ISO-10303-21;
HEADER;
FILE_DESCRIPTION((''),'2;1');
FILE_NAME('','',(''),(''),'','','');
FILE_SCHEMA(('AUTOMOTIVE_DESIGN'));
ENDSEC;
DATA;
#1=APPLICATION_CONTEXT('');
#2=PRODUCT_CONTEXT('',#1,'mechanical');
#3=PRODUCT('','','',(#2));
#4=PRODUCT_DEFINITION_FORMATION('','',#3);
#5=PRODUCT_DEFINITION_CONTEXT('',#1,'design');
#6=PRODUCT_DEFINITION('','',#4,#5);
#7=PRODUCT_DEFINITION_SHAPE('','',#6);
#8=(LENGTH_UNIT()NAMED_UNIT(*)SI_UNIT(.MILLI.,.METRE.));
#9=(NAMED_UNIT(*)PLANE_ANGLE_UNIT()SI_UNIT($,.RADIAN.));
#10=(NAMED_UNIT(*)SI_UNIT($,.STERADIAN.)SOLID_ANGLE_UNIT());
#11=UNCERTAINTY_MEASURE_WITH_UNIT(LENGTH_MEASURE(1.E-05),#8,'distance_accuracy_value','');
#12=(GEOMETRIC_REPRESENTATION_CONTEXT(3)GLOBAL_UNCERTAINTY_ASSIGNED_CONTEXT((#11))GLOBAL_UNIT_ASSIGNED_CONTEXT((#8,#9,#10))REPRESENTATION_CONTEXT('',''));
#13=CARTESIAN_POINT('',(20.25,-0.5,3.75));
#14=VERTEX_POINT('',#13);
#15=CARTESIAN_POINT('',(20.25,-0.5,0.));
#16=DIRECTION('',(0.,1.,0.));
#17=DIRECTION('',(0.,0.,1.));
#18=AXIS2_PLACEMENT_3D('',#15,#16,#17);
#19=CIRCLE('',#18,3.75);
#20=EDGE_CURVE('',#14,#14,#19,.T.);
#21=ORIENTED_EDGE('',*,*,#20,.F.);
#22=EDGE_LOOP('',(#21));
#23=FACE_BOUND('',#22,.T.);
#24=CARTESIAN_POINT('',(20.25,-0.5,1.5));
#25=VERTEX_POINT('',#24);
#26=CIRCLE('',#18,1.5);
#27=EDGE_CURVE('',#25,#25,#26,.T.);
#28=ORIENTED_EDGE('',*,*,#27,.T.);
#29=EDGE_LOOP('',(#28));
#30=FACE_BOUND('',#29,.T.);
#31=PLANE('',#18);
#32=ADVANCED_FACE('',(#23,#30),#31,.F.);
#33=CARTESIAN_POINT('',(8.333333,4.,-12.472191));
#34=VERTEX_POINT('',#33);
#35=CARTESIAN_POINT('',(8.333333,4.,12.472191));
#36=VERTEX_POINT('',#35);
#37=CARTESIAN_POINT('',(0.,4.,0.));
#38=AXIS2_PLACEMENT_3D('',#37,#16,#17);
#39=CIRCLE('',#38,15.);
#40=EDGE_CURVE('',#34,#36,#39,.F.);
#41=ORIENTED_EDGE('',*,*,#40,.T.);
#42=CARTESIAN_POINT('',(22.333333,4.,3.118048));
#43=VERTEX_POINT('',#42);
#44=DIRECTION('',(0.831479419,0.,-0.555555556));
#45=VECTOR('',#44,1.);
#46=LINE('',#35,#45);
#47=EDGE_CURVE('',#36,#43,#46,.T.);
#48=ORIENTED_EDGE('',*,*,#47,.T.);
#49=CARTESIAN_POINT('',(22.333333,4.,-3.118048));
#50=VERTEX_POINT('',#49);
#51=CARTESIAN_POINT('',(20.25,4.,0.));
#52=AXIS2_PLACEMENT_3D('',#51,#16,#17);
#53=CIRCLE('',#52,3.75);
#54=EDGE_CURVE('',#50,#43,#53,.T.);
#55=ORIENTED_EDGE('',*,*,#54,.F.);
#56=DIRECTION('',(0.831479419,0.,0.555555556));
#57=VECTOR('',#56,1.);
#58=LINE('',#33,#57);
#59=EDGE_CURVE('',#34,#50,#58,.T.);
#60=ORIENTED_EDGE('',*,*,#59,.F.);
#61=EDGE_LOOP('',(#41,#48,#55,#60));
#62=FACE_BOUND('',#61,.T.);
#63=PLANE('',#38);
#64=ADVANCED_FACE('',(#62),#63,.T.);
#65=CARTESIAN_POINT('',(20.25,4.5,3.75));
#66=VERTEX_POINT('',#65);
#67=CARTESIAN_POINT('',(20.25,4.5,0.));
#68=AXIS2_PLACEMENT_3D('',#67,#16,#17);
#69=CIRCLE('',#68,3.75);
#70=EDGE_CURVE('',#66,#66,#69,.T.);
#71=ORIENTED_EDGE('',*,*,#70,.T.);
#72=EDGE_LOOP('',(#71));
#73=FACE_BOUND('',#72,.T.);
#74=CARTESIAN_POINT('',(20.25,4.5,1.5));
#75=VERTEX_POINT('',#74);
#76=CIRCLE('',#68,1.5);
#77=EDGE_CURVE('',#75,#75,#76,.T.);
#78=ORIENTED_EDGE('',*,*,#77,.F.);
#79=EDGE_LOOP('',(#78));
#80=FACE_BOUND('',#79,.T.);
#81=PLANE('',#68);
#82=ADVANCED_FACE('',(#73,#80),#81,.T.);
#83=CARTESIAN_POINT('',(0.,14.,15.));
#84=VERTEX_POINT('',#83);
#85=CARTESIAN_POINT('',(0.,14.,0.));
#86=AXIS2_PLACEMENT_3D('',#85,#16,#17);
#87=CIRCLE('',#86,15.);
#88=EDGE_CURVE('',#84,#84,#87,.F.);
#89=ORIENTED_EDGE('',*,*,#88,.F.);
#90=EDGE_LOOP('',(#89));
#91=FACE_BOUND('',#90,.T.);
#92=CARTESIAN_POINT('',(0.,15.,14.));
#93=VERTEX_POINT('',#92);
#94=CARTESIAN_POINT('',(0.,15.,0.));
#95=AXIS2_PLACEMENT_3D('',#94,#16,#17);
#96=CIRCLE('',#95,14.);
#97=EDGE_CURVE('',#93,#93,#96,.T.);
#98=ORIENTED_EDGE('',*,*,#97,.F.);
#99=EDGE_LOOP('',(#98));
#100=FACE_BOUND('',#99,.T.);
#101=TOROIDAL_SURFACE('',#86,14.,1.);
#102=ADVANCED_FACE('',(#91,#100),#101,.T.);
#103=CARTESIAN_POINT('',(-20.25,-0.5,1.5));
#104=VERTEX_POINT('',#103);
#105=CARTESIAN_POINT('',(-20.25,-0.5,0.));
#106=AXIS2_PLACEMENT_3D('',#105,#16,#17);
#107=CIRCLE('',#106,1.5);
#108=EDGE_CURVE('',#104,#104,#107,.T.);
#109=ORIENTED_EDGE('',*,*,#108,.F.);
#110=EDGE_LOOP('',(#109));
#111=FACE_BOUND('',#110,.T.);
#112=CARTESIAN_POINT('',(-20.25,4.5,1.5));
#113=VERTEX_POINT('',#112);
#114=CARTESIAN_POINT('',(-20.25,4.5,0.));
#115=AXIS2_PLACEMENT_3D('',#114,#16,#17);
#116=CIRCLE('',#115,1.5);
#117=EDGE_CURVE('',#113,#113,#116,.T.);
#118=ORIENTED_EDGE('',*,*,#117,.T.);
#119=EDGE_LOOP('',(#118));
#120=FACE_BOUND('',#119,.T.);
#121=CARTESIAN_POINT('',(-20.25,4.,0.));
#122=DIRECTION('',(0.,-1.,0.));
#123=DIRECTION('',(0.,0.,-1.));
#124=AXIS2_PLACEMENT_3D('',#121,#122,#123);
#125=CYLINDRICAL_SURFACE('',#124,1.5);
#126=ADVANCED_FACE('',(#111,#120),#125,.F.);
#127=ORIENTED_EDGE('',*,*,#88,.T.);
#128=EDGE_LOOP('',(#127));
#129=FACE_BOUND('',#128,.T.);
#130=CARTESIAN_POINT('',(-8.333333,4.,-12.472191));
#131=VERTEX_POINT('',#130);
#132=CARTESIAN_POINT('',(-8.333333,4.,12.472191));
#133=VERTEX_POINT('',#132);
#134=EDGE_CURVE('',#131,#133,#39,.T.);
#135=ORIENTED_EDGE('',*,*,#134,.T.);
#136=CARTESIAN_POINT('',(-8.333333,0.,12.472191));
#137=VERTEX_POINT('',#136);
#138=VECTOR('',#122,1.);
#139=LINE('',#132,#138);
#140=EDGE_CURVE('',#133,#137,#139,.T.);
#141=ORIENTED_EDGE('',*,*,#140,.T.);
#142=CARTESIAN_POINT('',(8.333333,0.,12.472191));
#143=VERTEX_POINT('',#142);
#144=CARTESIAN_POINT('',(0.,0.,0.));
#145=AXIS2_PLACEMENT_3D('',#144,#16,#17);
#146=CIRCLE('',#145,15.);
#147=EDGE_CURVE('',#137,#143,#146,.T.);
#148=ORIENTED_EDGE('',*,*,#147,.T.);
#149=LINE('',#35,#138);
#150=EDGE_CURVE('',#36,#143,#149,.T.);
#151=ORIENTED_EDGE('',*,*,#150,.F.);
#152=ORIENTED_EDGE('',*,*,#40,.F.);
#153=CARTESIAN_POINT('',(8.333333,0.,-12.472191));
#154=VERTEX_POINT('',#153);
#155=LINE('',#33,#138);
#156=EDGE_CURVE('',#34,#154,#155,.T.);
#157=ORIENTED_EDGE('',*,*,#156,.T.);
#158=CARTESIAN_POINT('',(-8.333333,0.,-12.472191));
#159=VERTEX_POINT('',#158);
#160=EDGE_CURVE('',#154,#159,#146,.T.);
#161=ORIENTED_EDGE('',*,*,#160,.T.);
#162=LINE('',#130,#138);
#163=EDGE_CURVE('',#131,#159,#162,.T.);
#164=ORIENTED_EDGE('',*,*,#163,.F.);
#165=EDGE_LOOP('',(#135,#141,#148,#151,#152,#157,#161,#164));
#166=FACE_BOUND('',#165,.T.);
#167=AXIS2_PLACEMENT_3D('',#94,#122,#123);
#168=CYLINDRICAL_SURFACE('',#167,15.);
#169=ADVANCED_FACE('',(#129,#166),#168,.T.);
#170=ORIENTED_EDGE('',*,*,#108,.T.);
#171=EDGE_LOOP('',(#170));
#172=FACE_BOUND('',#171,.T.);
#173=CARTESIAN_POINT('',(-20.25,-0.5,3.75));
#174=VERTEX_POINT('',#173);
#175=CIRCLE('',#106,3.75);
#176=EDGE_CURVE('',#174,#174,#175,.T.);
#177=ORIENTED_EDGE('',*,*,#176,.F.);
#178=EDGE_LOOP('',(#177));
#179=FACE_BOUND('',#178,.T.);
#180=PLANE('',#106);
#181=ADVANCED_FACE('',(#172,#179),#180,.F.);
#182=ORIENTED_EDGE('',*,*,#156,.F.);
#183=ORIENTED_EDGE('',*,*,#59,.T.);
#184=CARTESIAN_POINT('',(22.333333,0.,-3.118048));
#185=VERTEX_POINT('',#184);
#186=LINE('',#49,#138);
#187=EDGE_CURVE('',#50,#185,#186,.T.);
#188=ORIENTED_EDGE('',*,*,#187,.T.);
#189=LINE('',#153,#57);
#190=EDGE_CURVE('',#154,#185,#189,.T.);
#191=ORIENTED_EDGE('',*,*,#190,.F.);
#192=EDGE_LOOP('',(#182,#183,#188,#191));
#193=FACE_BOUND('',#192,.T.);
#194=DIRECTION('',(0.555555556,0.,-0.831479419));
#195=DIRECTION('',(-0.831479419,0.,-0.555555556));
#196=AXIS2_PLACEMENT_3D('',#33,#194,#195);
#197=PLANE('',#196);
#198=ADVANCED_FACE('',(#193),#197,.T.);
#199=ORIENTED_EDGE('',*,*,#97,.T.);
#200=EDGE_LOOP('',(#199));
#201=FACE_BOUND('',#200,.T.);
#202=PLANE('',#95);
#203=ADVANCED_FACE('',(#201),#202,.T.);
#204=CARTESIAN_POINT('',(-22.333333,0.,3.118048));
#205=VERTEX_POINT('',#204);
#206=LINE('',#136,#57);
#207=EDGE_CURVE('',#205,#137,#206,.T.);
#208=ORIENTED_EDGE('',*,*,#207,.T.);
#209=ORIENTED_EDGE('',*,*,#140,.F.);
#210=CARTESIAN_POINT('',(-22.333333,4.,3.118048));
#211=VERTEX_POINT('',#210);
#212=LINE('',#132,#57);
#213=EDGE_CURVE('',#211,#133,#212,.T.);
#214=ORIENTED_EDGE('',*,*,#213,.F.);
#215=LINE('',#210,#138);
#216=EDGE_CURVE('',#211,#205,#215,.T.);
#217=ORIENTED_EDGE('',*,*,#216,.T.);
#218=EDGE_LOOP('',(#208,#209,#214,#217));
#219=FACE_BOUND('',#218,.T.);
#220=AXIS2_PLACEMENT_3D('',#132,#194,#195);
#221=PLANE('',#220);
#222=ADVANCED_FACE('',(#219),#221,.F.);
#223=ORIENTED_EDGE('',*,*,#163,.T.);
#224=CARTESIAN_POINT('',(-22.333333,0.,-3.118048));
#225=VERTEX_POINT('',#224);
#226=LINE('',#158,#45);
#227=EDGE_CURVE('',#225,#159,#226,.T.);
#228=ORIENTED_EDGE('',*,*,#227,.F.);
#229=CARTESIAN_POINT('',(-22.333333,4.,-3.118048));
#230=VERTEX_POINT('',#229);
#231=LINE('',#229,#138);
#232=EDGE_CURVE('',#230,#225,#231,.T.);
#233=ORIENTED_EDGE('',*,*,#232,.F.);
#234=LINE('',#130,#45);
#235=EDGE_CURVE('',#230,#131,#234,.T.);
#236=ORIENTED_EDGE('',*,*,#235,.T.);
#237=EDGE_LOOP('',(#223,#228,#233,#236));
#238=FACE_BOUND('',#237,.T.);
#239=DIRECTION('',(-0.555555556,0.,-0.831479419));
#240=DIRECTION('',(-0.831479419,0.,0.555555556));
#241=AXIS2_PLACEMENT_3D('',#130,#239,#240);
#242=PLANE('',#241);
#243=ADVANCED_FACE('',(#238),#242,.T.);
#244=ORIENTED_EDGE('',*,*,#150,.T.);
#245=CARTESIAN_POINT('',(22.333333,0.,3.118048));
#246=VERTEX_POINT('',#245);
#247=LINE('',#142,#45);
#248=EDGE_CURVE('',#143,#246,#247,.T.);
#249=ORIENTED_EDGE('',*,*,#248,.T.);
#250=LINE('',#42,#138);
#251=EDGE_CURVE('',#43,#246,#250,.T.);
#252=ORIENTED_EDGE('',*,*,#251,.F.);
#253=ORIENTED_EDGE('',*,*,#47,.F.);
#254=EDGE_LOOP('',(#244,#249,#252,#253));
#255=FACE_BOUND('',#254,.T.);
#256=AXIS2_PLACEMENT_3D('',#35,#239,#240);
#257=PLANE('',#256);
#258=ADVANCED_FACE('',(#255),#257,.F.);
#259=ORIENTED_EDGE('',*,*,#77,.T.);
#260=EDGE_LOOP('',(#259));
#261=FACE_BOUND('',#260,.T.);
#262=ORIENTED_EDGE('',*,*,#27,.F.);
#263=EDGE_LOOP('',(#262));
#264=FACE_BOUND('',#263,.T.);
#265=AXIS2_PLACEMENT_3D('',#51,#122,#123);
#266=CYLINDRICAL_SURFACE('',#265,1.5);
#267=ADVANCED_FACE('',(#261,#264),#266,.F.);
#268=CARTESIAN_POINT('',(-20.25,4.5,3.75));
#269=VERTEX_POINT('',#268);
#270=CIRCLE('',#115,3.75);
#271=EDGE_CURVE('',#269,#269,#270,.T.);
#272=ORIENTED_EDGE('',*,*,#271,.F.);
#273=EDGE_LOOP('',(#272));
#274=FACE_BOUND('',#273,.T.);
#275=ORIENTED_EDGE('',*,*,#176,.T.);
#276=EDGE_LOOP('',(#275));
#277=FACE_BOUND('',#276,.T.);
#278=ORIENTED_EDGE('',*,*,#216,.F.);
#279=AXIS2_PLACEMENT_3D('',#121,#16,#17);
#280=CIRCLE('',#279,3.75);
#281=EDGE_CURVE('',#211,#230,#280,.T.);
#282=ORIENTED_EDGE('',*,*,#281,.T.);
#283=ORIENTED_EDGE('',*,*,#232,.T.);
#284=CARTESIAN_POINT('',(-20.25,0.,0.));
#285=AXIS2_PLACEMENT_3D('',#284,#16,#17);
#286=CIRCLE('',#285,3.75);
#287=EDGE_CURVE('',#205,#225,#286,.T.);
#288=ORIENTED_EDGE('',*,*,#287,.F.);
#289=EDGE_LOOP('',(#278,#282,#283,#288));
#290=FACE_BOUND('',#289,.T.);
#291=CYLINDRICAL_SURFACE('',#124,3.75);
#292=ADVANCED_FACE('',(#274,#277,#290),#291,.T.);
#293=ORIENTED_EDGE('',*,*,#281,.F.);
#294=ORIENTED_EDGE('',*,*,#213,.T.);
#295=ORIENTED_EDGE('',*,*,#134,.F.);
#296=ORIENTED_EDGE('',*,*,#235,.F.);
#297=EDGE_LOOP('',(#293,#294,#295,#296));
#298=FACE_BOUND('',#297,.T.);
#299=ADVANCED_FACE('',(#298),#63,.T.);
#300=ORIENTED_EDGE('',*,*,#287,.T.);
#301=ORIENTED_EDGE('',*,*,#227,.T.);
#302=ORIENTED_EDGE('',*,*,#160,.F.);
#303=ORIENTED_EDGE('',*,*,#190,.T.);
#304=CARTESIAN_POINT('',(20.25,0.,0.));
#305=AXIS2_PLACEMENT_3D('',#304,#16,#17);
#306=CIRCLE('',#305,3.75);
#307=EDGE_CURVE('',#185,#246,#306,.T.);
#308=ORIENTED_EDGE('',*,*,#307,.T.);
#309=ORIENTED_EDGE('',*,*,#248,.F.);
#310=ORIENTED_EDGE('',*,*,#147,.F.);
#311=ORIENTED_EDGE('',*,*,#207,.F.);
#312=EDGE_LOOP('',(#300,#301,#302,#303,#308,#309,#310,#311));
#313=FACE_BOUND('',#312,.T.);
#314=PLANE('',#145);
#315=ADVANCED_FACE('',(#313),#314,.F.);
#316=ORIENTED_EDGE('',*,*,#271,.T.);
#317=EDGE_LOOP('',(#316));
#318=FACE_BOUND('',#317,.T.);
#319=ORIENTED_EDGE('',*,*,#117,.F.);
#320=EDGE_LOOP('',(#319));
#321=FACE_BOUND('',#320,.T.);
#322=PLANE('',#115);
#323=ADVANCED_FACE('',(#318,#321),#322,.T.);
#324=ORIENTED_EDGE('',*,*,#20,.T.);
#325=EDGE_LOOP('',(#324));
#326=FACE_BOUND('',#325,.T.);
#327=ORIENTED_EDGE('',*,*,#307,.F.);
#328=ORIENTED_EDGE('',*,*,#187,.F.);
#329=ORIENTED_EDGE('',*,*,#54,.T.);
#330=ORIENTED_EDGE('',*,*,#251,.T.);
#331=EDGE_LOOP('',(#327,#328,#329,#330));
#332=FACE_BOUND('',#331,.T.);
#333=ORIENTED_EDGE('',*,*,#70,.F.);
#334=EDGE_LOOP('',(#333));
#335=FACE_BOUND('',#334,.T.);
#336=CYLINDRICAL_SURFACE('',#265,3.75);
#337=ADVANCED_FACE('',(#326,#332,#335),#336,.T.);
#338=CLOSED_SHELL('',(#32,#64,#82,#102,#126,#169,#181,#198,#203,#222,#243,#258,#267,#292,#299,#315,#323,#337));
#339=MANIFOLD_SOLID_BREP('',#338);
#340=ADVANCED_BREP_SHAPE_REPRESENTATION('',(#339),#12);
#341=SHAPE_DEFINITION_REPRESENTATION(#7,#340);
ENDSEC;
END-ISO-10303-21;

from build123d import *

# Parameters (mm, degrees)
SKETCH1_R                = 15
BOSS_EXTRUDE1_DEPTH      = 15
SKETCH2_R                = 1.5
BOSS_EXTRUDE2_DEPTH      = 4
BOSS_EXTRUDE3_DEPTH      = 0.5
BOSS_EXTRUDE3_DEPTH_BACK = 4.5
SKETCH3_R                = 3.75
SKETCH3_R_2              = 1.5
FILLET1_R                = 1


with BuildPart() as part:
    # Sketch1 → Boss-Extrude1 (new body)
    with BuildSketch(Plane(origin=(0, 0, 0), x_dir=(1, 0, 0), z_dir=(0, 1, 0))):
        with Locations(Location((0, 0, 0), (0, 0, 270))):
            Circle(SKETCH1_R)
    extrude(amount=BOSS_EXTRUDE1_DEPTH)

    # Sketch2 → Boss-Extrude2 (add)
    # profile 1 of 2: a face of its own
    with BuildSketch(Plane(origin=(0, 0, 0), x_dir=(1, 0, 0), z_dir=(0, 1, 0))):
        with BuildLine():
            ThreePointArc((-8.333333333, 12.472191289), (-15, 0), (-8.333333333, -12.472191289))
            Line((-8.333333333, -12.472191289), (-22.333333333, -3.118047822))
            ThreePointArc((-22.333333333, -3.118047822), (-24, 0), (-22.333333333, 3.118047822))
            Line((-22.333333333, 3.118047822), (-8.333333333, 12.472191289))
        make_face()
        with Locations(Location((-20.25, 0, 0), (0, 0, 270))):
            Circle(SKETCH2_R, mode=Mode.SUBTRACT)
    # profile 2 of 2: a face of its own
    with BuildSketch(Plane(origin=(0, 0, 0), x_dir=(1, 0, 0), z_dir=(0, 1, 0))):
        with BuildLine():
            Line((8.333333333, 12.472191289), (22.333333333, 3.118047822))
            ThreePointArc((22.333333333, 3.118047822), (24, 0), (22.333333333, -3.118047822))
            Line((22.333333333, -3.118047822), (8.333333333, -12.472191289))
            ThreePointArc((8.333333333, -12.472191289), (15, 0), (8.333333333, 12.472191289))
        make_face()
        with Locations(Location((20.25, 0, 0), (0, 0, 270))):
            Circle(SKETCH2_R, mode=Mode.SUBTRACT)
    extrude(amount=BOSS_EXTRUDE2_DEPTH)

    # Sketch3 → Boss-Extrude3 (add, two sides: drawn at the far end of the back side and taken through both)
    # profile 1 of 2: a face of its own
    with BuildSketch(Plane(origin=(0, 4, 0), x_dir=(1, 0, 0), z_dir=(0, 1, 0)).offset(-BOSS_EXTRUDE3_DEPTH_BACK)):
        with Locations(Location((-20.25, 0, 0), (0, 0, 270))):
            Circle(SKETCH3_R)
        with Locations(Location((-20.25, 0, 0), (0, 0, 270))):
            Circle(SKETCH3_R_2, mode=Mode.SUBTRACT)
    # profile 2 of 2: a face of its own
    with BuildSketch(Plane(origin=(0, 4, 0), x_dir=(1, 0, 0), z_dir=(0, 1, 0)).offset(-BOSS_EXTRUDE3_DEPTH_BACK)):
        with Locations(Location((20.25, 0, 0), (0, 0, 270))):
            Circle(SKETCH3_R)
        with Locations(Location((20.25, 0, 0), (0, 0, 270))):
            Circle(SKETCH3_R_2, mode=Mode.SUBTRACT)
    extrude(amount=BOSS_EXTRUDE3_DEPTH + BOSS_EXTRUDE3_DEPTH_BACK)

    # Fillet1
    fillet1_edges = [part.edges().sort_by_distance(p)[0] for p in [
        (0, 15, -15),
    ]]
    fillet(fillet1_edges, radius=FILLET1_R)


solid = part.part
